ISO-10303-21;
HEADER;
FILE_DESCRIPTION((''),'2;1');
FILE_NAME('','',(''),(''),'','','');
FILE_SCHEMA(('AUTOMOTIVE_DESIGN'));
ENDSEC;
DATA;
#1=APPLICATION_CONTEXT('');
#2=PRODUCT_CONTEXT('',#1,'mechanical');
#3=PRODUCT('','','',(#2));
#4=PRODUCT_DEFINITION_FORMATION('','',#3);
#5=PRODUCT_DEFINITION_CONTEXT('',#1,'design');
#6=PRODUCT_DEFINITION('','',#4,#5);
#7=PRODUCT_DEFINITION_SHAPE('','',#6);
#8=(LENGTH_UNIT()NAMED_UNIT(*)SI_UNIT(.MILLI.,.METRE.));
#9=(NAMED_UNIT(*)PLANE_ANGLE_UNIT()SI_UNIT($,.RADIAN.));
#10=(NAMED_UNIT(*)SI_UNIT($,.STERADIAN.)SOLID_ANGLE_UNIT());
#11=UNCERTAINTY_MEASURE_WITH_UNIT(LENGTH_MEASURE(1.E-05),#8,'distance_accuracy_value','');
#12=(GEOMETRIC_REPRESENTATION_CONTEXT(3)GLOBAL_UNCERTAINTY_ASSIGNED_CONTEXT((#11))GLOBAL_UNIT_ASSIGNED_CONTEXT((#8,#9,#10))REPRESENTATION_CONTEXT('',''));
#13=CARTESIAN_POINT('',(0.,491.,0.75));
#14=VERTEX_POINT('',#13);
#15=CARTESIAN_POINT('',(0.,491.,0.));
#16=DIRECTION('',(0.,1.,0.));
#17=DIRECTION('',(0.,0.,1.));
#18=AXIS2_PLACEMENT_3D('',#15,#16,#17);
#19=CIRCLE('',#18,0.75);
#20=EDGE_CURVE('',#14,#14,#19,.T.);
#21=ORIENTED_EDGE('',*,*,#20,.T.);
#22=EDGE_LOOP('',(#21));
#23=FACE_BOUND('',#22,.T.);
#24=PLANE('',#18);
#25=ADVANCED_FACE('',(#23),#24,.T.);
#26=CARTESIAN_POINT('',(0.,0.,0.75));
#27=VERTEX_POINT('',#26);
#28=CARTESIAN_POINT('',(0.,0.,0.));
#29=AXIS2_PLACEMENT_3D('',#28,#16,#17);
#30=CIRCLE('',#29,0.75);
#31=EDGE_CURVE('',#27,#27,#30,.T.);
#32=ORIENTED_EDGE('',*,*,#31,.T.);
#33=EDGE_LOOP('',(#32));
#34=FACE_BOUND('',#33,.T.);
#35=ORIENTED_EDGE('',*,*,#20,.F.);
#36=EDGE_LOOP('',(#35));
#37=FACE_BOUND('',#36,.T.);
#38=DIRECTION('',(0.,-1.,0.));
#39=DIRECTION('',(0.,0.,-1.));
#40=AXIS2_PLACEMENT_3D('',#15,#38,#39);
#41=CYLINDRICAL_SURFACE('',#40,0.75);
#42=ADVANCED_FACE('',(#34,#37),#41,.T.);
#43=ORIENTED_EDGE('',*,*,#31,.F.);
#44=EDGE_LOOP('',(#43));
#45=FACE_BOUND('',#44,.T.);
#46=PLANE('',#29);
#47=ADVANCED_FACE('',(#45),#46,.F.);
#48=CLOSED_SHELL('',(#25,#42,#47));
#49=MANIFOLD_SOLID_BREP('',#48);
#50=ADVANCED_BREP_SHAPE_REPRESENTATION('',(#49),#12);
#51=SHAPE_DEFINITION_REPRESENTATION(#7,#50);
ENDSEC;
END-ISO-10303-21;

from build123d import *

# Parameters (mm, degrees)
SKETCH1_R           = 0.75
BOSS_EXTRUDE1_DEPTH = 491


with BuildPart() as part:
    # Sketch1 → Boss-Extrude1 (new body)
    with BuildSketch(Plane(origin=(0, 0, 0), x_dir=(1, 0, 0), z_dir=(0, 1, 0))):
        Circle(SKETCH1_R)
    extrude(amount=BOSS_EXTRUDE1_DEPTH)


solid = part.part
